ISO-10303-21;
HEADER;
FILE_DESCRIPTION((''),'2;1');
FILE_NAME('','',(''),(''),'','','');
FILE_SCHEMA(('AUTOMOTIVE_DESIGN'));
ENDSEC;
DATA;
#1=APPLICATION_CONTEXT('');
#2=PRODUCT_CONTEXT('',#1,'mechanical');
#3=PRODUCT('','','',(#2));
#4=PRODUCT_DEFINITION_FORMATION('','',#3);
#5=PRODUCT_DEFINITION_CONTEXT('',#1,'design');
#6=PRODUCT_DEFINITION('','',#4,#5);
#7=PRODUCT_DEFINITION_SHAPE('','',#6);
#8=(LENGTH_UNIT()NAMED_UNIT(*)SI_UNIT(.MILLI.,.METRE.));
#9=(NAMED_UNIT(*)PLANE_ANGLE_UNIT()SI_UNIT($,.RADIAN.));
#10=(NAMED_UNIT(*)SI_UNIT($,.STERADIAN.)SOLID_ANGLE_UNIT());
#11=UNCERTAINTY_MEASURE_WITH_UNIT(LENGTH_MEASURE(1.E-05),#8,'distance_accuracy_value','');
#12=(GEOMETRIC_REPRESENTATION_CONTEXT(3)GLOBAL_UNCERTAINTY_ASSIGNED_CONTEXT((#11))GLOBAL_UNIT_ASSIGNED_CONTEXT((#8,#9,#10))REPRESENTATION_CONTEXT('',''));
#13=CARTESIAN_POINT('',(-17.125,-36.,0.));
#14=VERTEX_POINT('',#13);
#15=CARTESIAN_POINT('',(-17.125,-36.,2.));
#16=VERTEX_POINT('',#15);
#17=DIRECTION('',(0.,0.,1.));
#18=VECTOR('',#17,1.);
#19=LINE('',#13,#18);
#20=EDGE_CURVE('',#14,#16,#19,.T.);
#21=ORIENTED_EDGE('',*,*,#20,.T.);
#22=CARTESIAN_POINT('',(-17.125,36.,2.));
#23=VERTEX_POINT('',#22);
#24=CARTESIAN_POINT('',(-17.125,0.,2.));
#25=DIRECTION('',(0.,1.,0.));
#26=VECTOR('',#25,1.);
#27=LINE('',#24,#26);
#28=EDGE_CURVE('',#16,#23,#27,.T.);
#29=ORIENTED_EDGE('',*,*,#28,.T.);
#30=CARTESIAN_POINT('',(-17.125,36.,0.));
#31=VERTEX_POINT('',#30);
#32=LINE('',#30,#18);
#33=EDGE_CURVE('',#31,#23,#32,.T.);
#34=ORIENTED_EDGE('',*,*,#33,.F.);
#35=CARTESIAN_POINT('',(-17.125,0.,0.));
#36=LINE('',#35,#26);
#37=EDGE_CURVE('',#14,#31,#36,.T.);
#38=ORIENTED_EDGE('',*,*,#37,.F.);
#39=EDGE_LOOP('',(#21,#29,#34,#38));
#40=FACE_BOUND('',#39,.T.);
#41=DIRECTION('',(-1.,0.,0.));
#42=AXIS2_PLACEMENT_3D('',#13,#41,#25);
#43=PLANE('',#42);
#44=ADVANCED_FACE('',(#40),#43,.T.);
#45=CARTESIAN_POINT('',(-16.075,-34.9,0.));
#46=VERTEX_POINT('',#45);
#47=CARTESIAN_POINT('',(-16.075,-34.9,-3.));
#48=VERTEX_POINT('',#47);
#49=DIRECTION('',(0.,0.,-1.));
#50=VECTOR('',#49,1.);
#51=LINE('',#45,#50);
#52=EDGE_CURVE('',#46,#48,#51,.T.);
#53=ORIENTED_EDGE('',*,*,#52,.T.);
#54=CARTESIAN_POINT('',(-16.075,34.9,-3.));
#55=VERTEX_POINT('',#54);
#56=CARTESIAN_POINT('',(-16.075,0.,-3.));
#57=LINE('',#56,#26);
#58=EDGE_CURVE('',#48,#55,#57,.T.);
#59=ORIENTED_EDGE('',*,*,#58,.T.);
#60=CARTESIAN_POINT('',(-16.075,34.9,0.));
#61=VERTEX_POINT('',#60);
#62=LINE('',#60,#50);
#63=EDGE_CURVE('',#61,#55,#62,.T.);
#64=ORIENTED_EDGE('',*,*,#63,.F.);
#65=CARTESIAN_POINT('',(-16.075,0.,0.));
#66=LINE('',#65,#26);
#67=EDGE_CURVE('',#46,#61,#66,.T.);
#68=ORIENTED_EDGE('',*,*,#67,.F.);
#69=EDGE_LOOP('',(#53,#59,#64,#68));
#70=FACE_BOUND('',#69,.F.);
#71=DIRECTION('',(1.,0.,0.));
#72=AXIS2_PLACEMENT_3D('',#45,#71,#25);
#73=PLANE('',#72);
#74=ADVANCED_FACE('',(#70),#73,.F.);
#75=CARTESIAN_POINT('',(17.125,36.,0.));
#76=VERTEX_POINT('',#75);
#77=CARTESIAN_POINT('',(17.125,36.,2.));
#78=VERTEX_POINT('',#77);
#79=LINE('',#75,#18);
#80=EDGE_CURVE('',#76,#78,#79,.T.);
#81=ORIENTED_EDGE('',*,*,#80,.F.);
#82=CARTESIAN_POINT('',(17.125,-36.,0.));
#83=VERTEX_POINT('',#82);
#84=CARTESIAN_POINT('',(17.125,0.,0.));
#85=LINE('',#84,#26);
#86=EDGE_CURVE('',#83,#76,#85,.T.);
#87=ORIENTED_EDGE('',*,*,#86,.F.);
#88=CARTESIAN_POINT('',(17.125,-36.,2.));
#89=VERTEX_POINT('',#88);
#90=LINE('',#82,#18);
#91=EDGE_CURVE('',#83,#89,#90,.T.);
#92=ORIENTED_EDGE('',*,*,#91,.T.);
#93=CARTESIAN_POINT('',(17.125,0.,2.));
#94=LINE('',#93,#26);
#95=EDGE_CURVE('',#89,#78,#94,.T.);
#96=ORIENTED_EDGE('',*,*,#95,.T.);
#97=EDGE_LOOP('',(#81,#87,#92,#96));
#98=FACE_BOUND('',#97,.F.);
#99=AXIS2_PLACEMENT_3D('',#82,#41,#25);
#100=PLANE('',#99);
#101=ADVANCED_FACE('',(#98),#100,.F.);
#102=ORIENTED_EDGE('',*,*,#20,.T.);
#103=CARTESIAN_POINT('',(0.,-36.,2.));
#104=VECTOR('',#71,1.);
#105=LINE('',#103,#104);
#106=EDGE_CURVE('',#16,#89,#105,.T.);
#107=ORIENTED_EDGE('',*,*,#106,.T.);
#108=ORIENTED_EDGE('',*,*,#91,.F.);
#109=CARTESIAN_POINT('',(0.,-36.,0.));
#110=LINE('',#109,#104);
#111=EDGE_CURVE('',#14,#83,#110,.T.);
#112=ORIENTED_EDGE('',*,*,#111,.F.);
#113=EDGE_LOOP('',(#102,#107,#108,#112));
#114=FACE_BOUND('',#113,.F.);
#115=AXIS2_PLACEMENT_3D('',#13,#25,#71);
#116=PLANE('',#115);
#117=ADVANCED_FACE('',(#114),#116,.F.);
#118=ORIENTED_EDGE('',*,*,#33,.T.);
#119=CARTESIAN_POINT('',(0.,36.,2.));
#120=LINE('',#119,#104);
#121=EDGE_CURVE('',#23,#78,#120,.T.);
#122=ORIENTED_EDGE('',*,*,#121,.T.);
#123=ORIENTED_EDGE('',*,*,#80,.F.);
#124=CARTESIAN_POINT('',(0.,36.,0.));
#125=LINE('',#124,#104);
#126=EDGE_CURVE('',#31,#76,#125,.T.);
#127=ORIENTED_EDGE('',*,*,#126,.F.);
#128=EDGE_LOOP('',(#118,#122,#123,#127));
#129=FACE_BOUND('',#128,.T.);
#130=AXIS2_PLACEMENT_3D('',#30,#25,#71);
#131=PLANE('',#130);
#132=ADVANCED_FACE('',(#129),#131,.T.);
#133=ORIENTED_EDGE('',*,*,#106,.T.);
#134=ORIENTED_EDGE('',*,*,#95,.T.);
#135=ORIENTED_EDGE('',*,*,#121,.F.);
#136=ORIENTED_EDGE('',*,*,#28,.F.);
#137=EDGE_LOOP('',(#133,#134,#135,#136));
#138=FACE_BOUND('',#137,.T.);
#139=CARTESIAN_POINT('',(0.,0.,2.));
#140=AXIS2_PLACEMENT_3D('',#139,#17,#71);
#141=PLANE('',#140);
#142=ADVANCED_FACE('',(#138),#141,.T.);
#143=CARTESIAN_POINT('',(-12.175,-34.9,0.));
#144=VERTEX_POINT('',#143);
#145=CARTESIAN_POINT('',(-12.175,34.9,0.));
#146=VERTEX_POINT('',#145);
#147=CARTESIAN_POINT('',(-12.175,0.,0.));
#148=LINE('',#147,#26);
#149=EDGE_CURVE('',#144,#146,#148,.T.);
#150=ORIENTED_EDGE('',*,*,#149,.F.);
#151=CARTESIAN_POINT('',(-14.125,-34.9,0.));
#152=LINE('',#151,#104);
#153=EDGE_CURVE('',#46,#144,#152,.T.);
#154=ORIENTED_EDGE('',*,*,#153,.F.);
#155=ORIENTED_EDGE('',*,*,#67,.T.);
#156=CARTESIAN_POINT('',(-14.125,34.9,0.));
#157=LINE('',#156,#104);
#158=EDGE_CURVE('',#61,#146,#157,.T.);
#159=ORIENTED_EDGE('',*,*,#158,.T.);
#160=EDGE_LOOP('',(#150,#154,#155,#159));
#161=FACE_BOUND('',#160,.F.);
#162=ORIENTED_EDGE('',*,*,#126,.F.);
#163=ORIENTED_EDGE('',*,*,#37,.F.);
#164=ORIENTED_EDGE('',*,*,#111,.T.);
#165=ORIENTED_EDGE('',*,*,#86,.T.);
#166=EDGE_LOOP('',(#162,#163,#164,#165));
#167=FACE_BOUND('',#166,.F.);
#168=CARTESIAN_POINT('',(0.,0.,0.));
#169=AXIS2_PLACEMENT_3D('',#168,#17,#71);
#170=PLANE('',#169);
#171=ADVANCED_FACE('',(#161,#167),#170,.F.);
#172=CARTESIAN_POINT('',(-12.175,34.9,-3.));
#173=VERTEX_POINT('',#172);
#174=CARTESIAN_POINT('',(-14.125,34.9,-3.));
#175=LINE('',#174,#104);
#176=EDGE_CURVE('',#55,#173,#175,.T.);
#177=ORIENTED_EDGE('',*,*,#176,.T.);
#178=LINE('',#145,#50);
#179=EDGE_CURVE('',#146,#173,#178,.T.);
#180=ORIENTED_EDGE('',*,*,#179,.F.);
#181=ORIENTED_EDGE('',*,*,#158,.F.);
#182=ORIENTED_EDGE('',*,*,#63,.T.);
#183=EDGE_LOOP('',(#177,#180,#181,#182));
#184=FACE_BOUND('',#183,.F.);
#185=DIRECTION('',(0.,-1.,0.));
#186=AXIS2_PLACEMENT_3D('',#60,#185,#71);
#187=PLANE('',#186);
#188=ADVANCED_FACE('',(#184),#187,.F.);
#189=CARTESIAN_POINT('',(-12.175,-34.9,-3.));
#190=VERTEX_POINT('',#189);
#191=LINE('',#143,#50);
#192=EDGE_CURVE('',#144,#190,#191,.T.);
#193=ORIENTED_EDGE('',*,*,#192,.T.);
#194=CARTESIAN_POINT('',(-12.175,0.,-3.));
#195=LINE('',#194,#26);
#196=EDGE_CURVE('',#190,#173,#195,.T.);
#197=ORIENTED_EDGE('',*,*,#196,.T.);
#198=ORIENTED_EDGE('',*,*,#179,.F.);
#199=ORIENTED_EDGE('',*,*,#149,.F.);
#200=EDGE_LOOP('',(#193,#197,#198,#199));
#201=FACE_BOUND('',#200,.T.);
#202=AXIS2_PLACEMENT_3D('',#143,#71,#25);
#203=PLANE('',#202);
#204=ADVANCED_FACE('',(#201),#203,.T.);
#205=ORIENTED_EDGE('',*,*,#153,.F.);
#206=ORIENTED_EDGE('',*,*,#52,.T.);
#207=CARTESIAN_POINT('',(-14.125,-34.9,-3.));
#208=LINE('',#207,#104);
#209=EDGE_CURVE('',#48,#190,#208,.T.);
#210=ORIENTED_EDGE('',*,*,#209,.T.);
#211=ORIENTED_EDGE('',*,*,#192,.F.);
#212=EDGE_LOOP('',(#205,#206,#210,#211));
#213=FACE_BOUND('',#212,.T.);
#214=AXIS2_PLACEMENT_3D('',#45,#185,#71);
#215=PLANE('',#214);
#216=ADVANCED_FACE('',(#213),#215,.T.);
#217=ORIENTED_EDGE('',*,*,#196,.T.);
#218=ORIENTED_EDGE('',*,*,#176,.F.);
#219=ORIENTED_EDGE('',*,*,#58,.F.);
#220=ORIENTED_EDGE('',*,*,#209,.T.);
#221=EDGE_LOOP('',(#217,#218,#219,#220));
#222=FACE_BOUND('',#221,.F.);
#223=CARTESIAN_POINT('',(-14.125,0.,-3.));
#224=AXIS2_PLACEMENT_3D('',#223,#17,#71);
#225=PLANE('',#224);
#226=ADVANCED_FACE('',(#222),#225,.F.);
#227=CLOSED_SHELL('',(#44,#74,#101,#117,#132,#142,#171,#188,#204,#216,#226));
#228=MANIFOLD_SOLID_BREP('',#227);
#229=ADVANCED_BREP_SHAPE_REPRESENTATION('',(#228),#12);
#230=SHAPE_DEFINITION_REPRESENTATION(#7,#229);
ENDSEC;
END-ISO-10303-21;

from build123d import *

# Parameters (mm, degrees)
SKETCH_W     = 34.25
SKETCH_H     = 72
PAD_DEPTH    = 2
SKETCH001_W  = 3.9
SKETCH001_H  = 69.8
PAD001_DEPTH = 3


with BuildPart() as part:
    # Sketch → Pad (new body)
    with BuildSketch(Plane.XY):
        Rectangle(SKETCH_W, SKETCH_H)
    extrude(amount=PAD_DEPTH)

    # Sketch001 → Pad001 (join)
    with BuildSketch(Plane.XY):
        with Locations((-14.125, 0)):
            Rectangle(SKETCH001_W, SKETCH001_H)
    extrude(amount=-PAD001_DEPTH)


solid = part.part
